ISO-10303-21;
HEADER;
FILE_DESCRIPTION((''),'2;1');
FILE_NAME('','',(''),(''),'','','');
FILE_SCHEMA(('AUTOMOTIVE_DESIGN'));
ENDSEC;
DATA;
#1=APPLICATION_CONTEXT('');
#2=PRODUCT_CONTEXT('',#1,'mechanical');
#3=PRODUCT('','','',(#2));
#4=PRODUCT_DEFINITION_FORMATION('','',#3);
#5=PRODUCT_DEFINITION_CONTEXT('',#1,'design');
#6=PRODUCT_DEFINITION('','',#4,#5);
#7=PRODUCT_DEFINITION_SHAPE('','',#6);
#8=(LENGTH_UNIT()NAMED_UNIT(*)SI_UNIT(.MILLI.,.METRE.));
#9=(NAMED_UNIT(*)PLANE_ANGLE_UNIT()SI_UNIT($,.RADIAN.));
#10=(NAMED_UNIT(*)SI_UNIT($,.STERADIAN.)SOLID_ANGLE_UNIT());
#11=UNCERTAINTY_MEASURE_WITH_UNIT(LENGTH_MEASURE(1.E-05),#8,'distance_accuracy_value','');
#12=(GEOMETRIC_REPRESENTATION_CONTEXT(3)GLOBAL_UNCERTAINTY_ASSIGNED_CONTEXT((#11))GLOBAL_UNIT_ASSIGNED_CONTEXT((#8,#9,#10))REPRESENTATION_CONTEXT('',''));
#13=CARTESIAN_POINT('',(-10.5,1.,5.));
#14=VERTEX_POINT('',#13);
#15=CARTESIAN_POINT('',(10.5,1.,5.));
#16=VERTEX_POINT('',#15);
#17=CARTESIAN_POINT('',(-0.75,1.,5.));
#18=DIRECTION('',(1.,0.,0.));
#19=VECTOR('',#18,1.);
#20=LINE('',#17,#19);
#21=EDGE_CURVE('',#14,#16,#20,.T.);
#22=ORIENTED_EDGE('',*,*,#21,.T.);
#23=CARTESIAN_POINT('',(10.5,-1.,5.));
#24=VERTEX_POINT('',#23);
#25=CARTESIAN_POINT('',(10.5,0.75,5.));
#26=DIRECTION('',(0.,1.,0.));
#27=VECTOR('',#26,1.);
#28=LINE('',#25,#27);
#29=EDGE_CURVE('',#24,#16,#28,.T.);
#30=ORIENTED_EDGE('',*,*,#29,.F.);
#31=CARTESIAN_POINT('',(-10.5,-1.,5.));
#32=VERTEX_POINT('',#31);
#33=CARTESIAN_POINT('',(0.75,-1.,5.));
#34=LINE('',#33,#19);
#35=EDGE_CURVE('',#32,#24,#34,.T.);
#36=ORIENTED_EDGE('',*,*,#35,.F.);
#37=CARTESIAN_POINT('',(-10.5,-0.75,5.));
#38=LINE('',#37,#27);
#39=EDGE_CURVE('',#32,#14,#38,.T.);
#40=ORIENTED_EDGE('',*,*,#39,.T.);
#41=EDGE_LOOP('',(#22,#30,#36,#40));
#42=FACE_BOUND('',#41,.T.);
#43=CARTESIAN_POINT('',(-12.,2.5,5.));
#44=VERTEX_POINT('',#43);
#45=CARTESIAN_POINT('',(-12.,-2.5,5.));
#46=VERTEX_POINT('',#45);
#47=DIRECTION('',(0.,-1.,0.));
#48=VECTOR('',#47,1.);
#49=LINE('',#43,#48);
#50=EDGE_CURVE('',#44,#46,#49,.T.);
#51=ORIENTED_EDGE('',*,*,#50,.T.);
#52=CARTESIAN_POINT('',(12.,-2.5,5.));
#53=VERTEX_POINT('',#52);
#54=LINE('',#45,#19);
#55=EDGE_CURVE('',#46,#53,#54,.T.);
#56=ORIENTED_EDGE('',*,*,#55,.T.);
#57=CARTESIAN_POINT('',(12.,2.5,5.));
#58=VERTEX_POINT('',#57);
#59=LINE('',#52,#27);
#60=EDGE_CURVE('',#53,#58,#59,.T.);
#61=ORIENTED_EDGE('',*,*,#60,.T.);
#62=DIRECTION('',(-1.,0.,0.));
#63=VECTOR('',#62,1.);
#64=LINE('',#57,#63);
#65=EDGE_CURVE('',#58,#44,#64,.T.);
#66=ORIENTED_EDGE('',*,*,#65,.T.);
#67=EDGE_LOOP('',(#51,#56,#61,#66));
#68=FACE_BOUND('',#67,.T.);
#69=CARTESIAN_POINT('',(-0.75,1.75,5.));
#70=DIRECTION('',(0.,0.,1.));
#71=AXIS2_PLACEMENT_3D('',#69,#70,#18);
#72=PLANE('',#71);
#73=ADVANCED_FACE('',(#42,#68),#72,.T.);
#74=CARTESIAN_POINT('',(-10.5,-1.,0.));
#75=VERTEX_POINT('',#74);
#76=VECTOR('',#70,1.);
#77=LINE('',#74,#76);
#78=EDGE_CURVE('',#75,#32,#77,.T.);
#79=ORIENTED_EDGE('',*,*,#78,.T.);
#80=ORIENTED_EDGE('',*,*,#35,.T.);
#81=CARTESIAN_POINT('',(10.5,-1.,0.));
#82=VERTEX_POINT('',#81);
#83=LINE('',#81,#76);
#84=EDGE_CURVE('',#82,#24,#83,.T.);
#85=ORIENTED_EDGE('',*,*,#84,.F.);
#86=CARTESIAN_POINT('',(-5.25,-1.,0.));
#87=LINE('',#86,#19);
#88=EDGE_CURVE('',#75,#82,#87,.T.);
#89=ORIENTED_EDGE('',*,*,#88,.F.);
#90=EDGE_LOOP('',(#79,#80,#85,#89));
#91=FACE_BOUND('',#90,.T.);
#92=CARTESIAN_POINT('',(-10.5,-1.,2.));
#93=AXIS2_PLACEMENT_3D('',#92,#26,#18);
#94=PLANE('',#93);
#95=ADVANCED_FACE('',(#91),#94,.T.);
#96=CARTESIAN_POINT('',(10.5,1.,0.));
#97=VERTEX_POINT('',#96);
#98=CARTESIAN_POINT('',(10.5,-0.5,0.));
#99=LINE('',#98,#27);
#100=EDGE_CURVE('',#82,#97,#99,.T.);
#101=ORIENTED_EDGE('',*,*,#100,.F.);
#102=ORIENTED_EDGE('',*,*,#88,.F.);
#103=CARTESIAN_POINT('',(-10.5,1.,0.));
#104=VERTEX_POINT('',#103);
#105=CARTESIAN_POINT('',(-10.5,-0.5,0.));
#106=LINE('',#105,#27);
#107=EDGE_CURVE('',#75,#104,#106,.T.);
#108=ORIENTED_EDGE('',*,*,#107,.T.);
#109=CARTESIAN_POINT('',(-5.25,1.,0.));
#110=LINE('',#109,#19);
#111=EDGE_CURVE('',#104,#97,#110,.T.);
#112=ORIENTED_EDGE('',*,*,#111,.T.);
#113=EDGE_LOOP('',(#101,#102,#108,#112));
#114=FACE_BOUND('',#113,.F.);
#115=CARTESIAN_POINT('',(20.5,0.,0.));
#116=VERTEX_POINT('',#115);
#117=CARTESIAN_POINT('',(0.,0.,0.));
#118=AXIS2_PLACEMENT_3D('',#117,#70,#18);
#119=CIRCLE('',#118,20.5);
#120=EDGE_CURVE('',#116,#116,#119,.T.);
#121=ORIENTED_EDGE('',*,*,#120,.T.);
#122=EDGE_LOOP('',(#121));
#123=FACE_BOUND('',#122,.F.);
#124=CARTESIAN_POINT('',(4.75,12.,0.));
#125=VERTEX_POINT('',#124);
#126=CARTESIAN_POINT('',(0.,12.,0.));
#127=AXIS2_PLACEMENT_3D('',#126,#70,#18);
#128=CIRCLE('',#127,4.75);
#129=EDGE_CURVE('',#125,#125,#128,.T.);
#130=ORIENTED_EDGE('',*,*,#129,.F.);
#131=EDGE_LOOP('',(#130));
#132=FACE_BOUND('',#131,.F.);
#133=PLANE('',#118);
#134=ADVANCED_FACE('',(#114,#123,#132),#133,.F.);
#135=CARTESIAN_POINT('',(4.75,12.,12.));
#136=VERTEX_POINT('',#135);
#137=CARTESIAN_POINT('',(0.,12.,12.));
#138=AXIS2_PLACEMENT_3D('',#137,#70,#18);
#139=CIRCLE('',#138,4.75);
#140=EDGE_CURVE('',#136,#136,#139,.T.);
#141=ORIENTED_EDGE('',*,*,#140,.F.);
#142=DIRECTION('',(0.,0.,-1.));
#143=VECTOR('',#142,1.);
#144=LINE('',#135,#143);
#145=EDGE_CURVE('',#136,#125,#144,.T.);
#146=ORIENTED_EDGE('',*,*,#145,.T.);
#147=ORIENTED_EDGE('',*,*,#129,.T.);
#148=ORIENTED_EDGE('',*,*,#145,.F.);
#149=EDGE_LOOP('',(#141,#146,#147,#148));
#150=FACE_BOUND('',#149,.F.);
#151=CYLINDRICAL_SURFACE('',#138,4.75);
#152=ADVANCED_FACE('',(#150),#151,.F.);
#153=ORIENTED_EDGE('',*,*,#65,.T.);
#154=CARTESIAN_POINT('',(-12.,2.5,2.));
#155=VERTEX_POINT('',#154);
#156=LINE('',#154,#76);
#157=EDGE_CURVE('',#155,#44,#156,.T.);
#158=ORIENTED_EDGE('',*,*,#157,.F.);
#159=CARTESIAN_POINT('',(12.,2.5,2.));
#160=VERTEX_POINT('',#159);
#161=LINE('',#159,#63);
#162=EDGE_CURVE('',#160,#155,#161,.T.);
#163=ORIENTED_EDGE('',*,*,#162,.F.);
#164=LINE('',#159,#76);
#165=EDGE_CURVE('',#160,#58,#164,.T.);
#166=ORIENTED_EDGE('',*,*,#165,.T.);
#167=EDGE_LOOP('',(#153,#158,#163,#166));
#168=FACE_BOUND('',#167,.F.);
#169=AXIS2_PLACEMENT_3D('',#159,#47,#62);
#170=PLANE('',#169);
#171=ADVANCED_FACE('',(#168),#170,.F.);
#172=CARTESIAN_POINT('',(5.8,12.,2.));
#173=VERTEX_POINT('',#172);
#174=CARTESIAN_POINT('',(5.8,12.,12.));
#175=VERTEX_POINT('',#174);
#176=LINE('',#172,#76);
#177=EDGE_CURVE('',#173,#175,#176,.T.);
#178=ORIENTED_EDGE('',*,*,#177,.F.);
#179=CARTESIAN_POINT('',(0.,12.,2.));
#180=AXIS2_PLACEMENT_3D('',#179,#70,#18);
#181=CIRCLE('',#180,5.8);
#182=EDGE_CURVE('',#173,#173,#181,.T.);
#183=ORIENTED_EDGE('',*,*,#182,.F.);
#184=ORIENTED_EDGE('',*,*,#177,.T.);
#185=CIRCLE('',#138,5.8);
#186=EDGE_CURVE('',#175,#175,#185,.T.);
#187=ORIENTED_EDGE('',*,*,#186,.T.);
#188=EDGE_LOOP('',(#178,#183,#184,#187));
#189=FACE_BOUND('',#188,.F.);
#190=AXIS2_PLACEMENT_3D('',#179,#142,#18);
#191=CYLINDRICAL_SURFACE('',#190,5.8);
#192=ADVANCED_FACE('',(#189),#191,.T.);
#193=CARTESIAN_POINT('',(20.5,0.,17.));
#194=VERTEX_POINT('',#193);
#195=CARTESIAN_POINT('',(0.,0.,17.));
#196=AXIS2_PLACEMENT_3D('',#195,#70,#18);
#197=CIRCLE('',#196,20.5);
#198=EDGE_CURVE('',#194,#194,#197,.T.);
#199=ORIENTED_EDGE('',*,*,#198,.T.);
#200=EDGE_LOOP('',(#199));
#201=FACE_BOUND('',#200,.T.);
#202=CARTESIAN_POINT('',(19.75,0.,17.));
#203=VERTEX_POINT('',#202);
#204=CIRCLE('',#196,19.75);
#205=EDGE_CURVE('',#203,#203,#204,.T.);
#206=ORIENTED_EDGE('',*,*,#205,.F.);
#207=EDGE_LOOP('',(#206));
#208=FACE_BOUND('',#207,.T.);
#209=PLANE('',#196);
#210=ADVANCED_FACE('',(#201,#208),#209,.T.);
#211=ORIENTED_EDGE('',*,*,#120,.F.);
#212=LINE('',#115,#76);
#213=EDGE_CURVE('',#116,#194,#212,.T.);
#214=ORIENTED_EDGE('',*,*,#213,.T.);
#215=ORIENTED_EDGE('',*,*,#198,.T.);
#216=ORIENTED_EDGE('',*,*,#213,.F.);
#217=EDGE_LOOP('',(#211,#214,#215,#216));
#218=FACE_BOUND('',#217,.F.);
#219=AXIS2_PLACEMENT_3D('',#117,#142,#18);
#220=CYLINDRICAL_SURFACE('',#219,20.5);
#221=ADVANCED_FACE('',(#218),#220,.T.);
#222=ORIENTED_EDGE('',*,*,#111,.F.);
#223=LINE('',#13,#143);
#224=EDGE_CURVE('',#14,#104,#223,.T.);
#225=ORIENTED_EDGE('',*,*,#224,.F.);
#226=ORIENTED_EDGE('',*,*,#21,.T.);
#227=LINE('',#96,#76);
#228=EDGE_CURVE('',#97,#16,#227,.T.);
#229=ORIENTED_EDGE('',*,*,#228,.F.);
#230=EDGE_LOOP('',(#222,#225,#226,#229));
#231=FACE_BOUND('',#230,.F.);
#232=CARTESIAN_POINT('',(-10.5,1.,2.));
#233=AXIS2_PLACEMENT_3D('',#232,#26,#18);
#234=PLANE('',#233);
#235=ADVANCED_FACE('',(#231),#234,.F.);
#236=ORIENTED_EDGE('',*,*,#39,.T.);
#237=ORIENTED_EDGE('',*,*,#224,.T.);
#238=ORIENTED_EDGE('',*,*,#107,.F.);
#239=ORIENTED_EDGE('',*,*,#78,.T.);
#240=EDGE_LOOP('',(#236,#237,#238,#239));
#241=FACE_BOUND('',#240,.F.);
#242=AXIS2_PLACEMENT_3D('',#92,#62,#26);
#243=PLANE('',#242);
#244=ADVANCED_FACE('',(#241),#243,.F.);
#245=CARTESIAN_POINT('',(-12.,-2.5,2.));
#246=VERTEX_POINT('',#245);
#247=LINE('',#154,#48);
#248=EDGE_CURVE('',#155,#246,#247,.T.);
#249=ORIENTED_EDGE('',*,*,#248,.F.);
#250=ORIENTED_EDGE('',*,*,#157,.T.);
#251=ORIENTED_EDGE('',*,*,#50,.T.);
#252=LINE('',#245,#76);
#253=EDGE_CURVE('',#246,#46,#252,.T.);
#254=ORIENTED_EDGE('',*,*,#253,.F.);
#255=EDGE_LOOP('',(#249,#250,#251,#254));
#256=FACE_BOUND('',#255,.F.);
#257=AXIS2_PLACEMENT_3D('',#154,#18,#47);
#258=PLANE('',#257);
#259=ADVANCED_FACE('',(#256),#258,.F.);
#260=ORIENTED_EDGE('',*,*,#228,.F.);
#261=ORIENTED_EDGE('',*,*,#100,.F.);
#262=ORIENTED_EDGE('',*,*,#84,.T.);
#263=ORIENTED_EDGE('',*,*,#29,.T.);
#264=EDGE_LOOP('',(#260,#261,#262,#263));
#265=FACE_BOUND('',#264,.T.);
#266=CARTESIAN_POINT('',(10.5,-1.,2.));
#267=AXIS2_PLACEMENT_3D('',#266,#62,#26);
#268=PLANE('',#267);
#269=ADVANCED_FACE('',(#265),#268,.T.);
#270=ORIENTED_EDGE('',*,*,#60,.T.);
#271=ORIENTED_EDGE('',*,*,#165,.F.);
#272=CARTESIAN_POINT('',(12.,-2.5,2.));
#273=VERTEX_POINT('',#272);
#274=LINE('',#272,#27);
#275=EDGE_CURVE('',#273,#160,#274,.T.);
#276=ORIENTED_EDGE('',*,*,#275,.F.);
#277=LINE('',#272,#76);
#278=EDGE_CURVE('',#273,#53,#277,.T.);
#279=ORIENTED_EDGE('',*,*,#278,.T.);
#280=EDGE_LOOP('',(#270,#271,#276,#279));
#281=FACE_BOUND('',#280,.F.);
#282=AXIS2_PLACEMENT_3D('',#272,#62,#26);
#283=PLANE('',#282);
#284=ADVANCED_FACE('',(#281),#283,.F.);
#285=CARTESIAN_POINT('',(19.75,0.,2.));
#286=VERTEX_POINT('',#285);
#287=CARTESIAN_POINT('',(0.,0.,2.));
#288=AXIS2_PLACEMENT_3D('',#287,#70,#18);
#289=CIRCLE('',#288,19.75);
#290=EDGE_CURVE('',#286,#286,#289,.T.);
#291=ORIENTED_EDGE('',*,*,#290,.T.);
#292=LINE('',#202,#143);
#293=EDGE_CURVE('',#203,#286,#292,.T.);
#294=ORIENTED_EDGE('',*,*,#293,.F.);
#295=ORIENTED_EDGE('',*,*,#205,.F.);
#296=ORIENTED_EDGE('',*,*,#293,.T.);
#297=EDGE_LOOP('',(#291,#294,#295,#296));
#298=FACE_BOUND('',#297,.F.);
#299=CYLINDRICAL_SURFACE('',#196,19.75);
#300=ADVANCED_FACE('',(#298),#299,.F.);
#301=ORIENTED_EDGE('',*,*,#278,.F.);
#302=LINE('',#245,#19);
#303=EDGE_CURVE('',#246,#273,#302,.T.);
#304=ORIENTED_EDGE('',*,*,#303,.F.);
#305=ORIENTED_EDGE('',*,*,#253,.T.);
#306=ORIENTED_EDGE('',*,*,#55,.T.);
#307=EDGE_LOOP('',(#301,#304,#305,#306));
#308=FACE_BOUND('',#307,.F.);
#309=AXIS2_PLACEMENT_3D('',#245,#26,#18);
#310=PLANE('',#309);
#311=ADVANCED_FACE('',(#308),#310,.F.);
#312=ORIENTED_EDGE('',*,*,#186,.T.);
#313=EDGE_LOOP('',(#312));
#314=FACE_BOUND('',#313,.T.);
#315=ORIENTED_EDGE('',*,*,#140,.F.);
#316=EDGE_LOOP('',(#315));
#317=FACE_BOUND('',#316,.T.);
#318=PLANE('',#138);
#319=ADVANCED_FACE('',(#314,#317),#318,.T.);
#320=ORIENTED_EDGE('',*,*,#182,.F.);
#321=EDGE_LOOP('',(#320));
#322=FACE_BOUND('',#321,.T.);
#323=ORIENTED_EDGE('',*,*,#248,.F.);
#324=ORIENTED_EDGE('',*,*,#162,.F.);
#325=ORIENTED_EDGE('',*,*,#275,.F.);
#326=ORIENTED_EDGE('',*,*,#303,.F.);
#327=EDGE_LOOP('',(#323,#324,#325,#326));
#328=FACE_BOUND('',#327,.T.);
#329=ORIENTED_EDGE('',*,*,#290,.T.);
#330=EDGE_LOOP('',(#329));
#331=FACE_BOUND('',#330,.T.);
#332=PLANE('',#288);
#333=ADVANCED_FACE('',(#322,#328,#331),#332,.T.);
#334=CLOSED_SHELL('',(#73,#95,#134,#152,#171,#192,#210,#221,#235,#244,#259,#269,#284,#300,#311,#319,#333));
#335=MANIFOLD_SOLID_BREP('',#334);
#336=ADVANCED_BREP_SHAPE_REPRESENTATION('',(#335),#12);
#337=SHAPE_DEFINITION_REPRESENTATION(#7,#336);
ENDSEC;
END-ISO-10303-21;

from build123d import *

# Parameters (mm, degrees)
SKETCH_R        = 20.5
PAD_DEPTH       = 17
SKETCH001_R     = 19.75
POCKET_DEPTH    = 15
SKETCH002_W     = 21
SKETCH002_H     = 2
POCKET001_DEPTH = 5
SKETCH003_R     = 5.8
PAD001_DEPTH    = 10
SKETCH004_R     = 4.75
POCKET002_DEPTH = 13
SKETCH005_W     = 22.5
SKETCH005_H     = 1.5
SKETCH005_W_2   = 1.5
SKETCH005_H_2   = 3.5
PAD002_DEPTH    = 3


with BuildPart() as part:
    # Sketch → Pad (new body)
    with BuildSketch(Plane.XY):
        Circle(SKETCH_R)
    extrude(amount=PAD_DEPTH)

    # Sketch001 (on Face3 of Pad) → Pocket (cut)
    with BuildSketch(Plane.XY.offset(17)):
        Circle(SKETCH001_R)
    extrude(amount=-POCKET_DEPTH, mode=Mode.SUBTRACT)

    # Sketch002 (on Face5 of Pocket) → Pocket001 (cut)
    with BuildSketch(Plane.XY.offset(2)):
        Rectangle(SKETCH002_W, SKETCH002_H)
    extrude(amount=-POCKET001_DEPTH, mode=Mode.SUBTRACT)

    # Sketch003 (on Face9 of Pocket001) → Pad001 (join)
    with BuildSketch(Plane.XY.offset(2)):
        with Locations((0, 12)):
            Circle(SKETCH003_R)
    extrude(amount=PAD001_DEPTH)

    # Sketch004 (on Face11 of Pad001) → Pocket002 (cut)
    with BuildSketch(Plane.XY.offset(12)):
        with Locations((0, 12)):
            Circle(SKETCH004_R)
    extrude(amount=-POCKET002_DEPTH, mode=Mode.SUBTRACT)

    # Sketch005 (on Face10 of Pocket002) → Pad002 (join)
    with BuildSketch(Plane.XY.offset(2)):
        with Locations((-0.75, 1.75)):
            Rectangle(SKETCH005_W, SKETCH005_H)
        with Locations((11.25, 0.75)):
            Rectangle(SKETCH005_W_2, SKETCH005_H_2)
        with Locations((0.75, -1.75)):
            Rectangle(SKETCH005_W, SKETCH005_H)
        with Locations((-11.25, -0.75)):
            Rectangle(SKETCH005_W_2, SKETCH005_H_2)
    extrude(amount=PAD002_DEPTH)


solid = part.part
